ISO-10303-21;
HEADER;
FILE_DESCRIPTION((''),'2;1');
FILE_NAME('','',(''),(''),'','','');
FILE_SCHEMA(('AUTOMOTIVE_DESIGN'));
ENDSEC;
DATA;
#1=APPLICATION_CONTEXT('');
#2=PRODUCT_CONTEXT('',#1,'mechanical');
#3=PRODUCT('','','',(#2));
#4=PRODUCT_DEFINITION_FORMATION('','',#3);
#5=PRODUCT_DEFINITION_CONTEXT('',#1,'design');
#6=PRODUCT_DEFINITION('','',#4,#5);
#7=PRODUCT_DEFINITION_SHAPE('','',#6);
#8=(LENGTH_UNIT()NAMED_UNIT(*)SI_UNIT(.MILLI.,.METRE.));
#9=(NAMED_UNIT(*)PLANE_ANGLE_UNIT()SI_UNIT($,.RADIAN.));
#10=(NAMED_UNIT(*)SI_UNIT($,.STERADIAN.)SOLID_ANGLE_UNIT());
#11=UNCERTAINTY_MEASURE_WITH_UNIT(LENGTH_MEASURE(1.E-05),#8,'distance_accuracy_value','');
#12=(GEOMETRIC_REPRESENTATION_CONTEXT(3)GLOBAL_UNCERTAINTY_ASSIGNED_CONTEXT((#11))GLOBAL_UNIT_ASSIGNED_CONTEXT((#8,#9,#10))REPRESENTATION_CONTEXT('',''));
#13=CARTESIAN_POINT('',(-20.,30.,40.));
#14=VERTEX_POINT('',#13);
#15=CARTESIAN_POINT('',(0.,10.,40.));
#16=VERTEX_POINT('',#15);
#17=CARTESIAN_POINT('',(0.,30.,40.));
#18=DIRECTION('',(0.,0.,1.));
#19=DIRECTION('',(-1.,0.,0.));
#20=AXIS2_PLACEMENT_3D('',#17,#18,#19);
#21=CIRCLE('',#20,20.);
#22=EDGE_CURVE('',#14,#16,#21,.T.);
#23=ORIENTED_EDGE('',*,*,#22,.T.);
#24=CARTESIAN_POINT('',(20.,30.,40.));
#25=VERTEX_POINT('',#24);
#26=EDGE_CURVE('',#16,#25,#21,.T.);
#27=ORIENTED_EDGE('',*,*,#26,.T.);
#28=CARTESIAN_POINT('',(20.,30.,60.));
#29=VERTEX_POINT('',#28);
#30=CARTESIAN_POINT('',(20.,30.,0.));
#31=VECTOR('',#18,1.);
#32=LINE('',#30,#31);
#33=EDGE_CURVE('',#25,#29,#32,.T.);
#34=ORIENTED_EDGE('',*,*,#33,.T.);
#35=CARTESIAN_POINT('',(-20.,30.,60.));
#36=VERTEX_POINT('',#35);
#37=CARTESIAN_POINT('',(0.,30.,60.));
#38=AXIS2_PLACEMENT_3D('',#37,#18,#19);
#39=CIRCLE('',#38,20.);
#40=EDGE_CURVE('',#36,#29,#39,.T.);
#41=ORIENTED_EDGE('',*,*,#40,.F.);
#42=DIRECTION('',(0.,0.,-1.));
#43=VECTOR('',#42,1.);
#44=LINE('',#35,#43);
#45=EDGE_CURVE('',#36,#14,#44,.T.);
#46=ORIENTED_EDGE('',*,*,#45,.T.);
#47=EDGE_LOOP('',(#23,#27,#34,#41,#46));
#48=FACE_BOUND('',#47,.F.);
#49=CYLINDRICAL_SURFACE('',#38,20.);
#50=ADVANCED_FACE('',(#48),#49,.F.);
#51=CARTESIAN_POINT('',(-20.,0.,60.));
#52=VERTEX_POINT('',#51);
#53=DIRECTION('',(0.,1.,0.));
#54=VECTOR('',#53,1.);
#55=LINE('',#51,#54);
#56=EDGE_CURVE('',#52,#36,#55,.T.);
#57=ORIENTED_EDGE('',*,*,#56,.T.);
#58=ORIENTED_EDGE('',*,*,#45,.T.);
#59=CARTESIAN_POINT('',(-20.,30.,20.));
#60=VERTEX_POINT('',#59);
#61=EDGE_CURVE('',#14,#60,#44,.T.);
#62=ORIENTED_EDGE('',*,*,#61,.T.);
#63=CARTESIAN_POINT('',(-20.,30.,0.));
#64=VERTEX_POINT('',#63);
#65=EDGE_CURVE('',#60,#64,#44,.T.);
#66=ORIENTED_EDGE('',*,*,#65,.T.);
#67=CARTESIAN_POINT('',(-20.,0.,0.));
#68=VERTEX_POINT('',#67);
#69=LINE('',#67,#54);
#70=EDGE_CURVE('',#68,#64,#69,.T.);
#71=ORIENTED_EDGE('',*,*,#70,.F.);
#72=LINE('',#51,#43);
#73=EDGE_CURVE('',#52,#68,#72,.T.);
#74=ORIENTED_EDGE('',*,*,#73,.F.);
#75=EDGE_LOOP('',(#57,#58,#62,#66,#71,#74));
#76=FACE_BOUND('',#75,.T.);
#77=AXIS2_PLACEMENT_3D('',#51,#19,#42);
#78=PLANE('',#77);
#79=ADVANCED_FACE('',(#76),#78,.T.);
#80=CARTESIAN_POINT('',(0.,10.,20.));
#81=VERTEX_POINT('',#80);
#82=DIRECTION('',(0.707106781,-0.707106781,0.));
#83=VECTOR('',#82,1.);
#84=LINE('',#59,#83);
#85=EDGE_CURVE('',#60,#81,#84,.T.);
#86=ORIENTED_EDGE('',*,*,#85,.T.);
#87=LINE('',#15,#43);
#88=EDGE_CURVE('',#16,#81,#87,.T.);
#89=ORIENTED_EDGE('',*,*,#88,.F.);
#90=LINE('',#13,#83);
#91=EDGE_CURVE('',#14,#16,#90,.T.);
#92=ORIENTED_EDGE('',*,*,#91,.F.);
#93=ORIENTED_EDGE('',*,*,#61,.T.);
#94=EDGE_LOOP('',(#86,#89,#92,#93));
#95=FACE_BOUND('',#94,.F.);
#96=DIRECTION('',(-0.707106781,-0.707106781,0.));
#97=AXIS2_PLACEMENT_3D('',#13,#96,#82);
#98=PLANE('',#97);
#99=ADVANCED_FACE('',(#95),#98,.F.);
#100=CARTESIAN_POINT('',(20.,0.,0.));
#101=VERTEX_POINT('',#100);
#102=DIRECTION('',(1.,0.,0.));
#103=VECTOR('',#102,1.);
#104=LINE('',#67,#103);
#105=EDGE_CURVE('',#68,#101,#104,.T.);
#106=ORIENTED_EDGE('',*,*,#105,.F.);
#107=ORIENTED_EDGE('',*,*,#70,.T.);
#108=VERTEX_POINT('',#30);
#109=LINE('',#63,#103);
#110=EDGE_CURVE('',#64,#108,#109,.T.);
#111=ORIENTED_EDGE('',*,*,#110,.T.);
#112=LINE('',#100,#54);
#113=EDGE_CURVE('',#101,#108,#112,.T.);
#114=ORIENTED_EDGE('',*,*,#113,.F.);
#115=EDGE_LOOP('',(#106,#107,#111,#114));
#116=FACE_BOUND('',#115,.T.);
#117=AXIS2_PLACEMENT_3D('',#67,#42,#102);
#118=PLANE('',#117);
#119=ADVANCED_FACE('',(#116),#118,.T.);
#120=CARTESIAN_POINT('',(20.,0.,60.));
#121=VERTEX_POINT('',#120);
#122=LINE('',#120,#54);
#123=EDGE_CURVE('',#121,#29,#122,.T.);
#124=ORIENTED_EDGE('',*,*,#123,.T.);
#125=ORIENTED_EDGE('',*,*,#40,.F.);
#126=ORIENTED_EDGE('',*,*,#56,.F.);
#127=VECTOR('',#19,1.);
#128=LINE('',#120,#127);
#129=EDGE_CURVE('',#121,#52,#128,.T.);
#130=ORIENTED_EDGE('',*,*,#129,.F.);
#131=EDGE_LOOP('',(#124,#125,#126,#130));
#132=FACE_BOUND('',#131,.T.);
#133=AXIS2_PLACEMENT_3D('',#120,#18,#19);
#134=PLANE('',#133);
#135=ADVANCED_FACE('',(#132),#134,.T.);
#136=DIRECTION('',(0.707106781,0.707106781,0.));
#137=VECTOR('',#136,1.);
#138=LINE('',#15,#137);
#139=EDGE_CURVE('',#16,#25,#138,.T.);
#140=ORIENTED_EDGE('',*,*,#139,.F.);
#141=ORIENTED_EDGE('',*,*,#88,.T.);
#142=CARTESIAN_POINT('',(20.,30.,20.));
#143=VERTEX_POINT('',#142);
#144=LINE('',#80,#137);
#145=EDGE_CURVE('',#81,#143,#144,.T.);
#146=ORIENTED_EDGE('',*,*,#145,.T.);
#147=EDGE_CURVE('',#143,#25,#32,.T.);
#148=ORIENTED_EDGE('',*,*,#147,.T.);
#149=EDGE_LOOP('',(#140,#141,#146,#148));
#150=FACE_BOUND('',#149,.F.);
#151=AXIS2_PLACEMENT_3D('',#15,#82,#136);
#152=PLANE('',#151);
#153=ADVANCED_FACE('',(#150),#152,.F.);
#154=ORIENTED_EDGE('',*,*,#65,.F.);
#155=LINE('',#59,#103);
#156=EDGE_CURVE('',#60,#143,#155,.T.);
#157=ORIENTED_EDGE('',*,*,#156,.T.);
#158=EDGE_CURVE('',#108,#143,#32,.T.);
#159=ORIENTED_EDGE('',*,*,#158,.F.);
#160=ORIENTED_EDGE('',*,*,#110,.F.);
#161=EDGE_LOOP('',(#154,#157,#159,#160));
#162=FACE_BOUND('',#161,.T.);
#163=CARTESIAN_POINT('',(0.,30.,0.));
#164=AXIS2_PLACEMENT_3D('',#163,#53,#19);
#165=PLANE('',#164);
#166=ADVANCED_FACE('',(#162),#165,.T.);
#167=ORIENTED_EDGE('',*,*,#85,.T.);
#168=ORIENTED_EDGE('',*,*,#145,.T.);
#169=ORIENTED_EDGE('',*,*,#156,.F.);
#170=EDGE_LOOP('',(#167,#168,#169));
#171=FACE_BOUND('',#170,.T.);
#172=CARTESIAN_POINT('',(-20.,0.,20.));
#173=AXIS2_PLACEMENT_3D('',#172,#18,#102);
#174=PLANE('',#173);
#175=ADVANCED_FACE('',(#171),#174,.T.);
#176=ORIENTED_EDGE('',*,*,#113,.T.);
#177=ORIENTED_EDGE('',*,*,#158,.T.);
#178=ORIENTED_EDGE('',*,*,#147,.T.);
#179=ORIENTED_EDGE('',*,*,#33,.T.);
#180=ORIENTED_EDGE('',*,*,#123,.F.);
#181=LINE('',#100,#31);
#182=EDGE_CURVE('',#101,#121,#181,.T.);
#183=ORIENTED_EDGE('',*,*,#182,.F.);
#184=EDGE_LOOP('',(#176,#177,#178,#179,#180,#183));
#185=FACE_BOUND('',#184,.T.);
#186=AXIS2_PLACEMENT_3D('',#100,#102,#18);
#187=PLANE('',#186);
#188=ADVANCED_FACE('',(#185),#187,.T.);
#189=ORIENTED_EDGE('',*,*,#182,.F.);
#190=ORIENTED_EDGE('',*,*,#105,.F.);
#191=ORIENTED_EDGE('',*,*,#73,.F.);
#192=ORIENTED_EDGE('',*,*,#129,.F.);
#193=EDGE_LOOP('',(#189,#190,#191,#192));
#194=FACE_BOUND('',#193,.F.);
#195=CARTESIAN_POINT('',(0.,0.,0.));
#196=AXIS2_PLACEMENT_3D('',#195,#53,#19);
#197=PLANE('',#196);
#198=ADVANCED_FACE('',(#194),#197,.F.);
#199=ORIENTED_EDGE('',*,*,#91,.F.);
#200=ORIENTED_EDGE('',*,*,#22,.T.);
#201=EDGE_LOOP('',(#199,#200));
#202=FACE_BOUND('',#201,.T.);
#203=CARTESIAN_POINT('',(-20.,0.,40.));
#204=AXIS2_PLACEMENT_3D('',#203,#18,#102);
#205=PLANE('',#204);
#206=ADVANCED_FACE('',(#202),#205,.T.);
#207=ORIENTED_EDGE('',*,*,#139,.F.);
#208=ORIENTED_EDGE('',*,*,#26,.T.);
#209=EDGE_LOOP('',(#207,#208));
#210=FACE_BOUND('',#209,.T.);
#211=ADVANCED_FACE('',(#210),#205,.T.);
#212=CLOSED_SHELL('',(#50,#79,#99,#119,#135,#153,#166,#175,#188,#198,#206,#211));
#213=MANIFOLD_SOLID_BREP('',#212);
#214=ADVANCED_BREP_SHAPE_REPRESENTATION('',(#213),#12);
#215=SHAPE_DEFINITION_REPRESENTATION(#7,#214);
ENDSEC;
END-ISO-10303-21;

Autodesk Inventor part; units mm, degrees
ref_plane "YZ Plane" through (0, 0, 0) normal (1, 0, 0) x (0, 1, 0)
ref_plane "XZ Plane" through (0, 0, 0) normal (0, 1, 0) x (-1, 0, 0)
ref_plane "XY Plane" through (0, 0, 0) normal (0, 0, 1) x (1, 0, 0)
sketch "草圖1" plane through (0, 0, 0) normal (0, 1, 0) x (-1, 0, 0)
  line L0 (20, 0) -> (-20, 0)
  line L1 (-20, 0) -> (-20, 60)
  line L2 (-20, 60) -> (20, 60)
  line L3 (20, 60) -> (20, 0)
  point P0 (0, 0)
  point P1 (0, 0)
  dimension "d0" = 40
  dimension "d1" = 60
extrude "擠出1" add sketch "草圖1" along normal blind 30
sketch "草圖2" plane through (-20, 0, 60) normal (0, 0, 1) x (1, 0, 0)
  line L0 (0, 0) -> (0, 30) projected
  line L1 (0, 30) -> (40, 30) projected
  line L2 (40, 30) -> (40, 0) projected
  line L3 (40, 0) -> (0, 0) projected
  line L4 (40, 30) -> (0, 30) projected
  arc A0 (0, 30) -> (40, 30) centre (20, 30) ccw
  point P0 (20, 0)
extrude "擠出2" cut sketch "草圖2" against normal blind 20 contours L1 A0
sketch "草圖3" plane through (-20, 0, 40) normal (0, 0, 1) x (1, 0, 0)
  arc A0 (0, 30) -> (40, 30) centre (20, 30) ccw projected
  line L0 (0, 30) -> (40, 30) projected
  line L1 (0, 0) -> (0, 30) projected
  line L2 (40, 0) -> (0, 0) projected
  line L3 (40, 30) -> (40, 0) projected
  line L4 (0, 0) -> (0, 30) projected
  line L5 (0, 30) -> (20, 10)
  line L6 (40, 30) -> (0, 30) projected
  line L7 (20, 10) -> (40, 30)
  line L8 (40, 30) -> (0, 30)
  point P0 (20, 0)
extrude "擠出3" cut sketch "草圖3" against normal blind 20 contours L0 L7 L5
properties part number "38" material "鋼、碳鋼"
